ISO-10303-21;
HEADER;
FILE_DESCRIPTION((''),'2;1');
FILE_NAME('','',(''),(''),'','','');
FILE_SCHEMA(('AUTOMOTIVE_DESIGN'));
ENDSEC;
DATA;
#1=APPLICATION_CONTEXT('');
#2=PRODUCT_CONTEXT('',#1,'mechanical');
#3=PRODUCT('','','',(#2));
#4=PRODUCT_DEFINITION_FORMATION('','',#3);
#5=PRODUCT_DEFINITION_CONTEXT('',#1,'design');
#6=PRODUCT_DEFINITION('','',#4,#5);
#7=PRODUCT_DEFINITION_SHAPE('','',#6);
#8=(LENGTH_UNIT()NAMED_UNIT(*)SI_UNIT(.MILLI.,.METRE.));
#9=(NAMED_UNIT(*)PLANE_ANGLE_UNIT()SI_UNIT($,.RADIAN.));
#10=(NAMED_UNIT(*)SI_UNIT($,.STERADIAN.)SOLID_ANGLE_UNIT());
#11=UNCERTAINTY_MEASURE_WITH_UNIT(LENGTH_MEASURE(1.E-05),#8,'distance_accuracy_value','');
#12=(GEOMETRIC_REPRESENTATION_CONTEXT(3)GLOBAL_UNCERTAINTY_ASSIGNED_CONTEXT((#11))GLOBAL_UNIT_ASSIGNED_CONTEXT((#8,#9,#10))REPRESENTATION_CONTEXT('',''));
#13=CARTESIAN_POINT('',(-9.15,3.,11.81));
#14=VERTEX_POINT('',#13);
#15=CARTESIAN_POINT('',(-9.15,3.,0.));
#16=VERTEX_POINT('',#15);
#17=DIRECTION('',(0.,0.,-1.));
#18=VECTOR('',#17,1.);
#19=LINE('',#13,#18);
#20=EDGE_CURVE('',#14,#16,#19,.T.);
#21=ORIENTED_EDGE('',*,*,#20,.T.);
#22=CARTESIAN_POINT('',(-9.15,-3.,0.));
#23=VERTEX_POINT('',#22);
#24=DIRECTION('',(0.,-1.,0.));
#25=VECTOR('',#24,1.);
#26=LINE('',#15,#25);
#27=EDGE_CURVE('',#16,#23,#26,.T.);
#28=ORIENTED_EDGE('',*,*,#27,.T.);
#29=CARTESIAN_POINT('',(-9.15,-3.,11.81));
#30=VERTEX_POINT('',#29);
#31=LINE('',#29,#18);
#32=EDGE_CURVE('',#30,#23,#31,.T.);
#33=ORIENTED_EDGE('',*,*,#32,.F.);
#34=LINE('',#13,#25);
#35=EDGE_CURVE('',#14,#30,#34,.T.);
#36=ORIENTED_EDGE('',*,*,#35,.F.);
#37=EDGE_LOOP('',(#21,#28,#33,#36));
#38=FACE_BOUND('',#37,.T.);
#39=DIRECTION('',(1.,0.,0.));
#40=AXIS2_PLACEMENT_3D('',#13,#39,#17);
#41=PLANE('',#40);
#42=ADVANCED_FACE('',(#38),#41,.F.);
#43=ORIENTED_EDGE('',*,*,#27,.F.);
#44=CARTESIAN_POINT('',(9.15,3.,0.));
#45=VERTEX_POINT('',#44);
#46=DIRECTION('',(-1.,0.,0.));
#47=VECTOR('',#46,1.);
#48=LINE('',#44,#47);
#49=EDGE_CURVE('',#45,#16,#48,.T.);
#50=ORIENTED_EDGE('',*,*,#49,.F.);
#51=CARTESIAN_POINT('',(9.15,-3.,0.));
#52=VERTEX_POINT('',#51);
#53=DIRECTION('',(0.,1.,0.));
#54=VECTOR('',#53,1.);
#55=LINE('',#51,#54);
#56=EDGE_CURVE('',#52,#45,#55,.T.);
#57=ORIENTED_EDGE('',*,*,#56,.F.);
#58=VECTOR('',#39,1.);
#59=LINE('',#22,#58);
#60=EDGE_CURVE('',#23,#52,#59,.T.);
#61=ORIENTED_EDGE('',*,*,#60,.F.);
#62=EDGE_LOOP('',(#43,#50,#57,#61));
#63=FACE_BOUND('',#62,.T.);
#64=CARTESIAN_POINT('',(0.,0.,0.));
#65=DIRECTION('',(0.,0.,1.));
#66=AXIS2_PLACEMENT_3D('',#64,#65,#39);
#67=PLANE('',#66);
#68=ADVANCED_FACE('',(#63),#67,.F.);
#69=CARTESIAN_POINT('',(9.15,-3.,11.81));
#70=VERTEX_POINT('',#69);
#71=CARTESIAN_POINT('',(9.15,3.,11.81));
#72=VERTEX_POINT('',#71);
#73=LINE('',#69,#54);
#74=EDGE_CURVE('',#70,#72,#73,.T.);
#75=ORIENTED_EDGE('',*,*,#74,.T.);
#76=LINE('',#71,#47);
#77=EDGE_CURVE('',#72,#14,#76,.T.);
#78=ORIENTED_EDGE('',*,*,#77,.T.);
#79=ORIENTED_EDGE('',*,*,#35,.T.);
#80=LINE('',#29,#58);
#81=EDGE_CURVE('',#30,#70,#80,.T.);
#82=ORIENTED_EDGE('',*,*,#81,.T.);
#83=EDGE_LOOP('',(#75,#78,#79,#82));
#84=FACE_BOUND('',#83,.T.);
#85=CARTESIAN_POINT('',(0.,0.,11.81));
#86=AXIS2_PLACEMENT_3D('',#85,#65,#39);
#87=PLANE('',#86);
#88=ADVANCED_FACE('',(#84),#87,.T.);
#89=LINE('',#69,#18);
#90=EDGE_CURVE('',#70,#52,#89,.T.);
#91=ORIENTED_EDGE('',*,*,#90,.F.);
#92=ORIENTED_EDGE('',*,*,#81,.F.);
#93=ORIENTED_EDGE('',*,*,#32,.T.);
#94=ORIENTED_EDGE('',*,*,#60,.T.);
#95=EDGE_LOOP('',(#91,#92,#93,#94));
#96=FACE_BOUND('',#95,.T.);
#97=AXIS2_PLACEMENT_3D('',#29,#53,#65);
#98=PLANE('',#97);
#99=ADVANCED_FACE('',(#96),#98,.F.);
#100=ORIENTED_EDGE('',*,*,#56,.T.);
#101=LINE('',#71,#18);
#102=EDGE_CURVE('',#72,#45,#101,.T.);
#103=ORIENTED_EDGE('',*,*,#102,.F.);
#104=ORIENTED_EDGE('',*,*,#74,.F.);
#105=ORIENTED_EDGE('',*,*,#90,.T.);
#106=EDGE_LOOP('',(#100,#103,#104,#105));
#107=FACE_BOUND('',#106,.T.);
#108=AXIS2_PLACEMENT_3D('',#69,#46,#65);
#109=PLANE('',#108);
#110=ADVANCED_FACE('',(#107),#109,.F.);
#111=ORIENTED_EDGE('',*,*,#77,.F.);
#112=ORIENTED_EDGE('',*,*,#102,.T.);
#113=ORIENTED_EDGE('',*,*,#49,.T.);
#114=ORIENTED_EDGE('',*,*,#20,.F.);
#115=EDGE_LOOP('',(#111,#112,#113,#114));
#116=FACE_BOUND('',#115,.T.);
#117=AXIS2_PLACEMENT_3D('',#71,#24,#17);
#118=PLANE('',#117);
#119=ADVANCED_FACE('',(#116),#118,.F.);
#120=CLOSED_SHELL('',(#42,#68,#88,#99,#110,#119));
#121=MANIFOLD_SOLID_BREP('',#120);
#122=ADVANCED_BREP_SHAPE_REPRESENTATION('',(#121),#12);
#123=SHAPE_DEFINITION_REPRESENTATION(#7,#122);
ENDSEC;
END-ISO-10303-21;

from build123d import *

# Parameters (mm, degrees)
SKETCH_1_W      = 18.3
SKETCH_1_H      = 6
EXTRUDE_1_DEPTH = 11.81


with BuildPart() as part:
    # 草圖1 → 填料-伸長1 (new body)
    with BuildSketch(Plane.XY):
        Rectangle(SKETCH_1_W, SKETCH_1_H)
    extrude(amount=EXTRUDE_1_DEPTH)


solid = part.part
